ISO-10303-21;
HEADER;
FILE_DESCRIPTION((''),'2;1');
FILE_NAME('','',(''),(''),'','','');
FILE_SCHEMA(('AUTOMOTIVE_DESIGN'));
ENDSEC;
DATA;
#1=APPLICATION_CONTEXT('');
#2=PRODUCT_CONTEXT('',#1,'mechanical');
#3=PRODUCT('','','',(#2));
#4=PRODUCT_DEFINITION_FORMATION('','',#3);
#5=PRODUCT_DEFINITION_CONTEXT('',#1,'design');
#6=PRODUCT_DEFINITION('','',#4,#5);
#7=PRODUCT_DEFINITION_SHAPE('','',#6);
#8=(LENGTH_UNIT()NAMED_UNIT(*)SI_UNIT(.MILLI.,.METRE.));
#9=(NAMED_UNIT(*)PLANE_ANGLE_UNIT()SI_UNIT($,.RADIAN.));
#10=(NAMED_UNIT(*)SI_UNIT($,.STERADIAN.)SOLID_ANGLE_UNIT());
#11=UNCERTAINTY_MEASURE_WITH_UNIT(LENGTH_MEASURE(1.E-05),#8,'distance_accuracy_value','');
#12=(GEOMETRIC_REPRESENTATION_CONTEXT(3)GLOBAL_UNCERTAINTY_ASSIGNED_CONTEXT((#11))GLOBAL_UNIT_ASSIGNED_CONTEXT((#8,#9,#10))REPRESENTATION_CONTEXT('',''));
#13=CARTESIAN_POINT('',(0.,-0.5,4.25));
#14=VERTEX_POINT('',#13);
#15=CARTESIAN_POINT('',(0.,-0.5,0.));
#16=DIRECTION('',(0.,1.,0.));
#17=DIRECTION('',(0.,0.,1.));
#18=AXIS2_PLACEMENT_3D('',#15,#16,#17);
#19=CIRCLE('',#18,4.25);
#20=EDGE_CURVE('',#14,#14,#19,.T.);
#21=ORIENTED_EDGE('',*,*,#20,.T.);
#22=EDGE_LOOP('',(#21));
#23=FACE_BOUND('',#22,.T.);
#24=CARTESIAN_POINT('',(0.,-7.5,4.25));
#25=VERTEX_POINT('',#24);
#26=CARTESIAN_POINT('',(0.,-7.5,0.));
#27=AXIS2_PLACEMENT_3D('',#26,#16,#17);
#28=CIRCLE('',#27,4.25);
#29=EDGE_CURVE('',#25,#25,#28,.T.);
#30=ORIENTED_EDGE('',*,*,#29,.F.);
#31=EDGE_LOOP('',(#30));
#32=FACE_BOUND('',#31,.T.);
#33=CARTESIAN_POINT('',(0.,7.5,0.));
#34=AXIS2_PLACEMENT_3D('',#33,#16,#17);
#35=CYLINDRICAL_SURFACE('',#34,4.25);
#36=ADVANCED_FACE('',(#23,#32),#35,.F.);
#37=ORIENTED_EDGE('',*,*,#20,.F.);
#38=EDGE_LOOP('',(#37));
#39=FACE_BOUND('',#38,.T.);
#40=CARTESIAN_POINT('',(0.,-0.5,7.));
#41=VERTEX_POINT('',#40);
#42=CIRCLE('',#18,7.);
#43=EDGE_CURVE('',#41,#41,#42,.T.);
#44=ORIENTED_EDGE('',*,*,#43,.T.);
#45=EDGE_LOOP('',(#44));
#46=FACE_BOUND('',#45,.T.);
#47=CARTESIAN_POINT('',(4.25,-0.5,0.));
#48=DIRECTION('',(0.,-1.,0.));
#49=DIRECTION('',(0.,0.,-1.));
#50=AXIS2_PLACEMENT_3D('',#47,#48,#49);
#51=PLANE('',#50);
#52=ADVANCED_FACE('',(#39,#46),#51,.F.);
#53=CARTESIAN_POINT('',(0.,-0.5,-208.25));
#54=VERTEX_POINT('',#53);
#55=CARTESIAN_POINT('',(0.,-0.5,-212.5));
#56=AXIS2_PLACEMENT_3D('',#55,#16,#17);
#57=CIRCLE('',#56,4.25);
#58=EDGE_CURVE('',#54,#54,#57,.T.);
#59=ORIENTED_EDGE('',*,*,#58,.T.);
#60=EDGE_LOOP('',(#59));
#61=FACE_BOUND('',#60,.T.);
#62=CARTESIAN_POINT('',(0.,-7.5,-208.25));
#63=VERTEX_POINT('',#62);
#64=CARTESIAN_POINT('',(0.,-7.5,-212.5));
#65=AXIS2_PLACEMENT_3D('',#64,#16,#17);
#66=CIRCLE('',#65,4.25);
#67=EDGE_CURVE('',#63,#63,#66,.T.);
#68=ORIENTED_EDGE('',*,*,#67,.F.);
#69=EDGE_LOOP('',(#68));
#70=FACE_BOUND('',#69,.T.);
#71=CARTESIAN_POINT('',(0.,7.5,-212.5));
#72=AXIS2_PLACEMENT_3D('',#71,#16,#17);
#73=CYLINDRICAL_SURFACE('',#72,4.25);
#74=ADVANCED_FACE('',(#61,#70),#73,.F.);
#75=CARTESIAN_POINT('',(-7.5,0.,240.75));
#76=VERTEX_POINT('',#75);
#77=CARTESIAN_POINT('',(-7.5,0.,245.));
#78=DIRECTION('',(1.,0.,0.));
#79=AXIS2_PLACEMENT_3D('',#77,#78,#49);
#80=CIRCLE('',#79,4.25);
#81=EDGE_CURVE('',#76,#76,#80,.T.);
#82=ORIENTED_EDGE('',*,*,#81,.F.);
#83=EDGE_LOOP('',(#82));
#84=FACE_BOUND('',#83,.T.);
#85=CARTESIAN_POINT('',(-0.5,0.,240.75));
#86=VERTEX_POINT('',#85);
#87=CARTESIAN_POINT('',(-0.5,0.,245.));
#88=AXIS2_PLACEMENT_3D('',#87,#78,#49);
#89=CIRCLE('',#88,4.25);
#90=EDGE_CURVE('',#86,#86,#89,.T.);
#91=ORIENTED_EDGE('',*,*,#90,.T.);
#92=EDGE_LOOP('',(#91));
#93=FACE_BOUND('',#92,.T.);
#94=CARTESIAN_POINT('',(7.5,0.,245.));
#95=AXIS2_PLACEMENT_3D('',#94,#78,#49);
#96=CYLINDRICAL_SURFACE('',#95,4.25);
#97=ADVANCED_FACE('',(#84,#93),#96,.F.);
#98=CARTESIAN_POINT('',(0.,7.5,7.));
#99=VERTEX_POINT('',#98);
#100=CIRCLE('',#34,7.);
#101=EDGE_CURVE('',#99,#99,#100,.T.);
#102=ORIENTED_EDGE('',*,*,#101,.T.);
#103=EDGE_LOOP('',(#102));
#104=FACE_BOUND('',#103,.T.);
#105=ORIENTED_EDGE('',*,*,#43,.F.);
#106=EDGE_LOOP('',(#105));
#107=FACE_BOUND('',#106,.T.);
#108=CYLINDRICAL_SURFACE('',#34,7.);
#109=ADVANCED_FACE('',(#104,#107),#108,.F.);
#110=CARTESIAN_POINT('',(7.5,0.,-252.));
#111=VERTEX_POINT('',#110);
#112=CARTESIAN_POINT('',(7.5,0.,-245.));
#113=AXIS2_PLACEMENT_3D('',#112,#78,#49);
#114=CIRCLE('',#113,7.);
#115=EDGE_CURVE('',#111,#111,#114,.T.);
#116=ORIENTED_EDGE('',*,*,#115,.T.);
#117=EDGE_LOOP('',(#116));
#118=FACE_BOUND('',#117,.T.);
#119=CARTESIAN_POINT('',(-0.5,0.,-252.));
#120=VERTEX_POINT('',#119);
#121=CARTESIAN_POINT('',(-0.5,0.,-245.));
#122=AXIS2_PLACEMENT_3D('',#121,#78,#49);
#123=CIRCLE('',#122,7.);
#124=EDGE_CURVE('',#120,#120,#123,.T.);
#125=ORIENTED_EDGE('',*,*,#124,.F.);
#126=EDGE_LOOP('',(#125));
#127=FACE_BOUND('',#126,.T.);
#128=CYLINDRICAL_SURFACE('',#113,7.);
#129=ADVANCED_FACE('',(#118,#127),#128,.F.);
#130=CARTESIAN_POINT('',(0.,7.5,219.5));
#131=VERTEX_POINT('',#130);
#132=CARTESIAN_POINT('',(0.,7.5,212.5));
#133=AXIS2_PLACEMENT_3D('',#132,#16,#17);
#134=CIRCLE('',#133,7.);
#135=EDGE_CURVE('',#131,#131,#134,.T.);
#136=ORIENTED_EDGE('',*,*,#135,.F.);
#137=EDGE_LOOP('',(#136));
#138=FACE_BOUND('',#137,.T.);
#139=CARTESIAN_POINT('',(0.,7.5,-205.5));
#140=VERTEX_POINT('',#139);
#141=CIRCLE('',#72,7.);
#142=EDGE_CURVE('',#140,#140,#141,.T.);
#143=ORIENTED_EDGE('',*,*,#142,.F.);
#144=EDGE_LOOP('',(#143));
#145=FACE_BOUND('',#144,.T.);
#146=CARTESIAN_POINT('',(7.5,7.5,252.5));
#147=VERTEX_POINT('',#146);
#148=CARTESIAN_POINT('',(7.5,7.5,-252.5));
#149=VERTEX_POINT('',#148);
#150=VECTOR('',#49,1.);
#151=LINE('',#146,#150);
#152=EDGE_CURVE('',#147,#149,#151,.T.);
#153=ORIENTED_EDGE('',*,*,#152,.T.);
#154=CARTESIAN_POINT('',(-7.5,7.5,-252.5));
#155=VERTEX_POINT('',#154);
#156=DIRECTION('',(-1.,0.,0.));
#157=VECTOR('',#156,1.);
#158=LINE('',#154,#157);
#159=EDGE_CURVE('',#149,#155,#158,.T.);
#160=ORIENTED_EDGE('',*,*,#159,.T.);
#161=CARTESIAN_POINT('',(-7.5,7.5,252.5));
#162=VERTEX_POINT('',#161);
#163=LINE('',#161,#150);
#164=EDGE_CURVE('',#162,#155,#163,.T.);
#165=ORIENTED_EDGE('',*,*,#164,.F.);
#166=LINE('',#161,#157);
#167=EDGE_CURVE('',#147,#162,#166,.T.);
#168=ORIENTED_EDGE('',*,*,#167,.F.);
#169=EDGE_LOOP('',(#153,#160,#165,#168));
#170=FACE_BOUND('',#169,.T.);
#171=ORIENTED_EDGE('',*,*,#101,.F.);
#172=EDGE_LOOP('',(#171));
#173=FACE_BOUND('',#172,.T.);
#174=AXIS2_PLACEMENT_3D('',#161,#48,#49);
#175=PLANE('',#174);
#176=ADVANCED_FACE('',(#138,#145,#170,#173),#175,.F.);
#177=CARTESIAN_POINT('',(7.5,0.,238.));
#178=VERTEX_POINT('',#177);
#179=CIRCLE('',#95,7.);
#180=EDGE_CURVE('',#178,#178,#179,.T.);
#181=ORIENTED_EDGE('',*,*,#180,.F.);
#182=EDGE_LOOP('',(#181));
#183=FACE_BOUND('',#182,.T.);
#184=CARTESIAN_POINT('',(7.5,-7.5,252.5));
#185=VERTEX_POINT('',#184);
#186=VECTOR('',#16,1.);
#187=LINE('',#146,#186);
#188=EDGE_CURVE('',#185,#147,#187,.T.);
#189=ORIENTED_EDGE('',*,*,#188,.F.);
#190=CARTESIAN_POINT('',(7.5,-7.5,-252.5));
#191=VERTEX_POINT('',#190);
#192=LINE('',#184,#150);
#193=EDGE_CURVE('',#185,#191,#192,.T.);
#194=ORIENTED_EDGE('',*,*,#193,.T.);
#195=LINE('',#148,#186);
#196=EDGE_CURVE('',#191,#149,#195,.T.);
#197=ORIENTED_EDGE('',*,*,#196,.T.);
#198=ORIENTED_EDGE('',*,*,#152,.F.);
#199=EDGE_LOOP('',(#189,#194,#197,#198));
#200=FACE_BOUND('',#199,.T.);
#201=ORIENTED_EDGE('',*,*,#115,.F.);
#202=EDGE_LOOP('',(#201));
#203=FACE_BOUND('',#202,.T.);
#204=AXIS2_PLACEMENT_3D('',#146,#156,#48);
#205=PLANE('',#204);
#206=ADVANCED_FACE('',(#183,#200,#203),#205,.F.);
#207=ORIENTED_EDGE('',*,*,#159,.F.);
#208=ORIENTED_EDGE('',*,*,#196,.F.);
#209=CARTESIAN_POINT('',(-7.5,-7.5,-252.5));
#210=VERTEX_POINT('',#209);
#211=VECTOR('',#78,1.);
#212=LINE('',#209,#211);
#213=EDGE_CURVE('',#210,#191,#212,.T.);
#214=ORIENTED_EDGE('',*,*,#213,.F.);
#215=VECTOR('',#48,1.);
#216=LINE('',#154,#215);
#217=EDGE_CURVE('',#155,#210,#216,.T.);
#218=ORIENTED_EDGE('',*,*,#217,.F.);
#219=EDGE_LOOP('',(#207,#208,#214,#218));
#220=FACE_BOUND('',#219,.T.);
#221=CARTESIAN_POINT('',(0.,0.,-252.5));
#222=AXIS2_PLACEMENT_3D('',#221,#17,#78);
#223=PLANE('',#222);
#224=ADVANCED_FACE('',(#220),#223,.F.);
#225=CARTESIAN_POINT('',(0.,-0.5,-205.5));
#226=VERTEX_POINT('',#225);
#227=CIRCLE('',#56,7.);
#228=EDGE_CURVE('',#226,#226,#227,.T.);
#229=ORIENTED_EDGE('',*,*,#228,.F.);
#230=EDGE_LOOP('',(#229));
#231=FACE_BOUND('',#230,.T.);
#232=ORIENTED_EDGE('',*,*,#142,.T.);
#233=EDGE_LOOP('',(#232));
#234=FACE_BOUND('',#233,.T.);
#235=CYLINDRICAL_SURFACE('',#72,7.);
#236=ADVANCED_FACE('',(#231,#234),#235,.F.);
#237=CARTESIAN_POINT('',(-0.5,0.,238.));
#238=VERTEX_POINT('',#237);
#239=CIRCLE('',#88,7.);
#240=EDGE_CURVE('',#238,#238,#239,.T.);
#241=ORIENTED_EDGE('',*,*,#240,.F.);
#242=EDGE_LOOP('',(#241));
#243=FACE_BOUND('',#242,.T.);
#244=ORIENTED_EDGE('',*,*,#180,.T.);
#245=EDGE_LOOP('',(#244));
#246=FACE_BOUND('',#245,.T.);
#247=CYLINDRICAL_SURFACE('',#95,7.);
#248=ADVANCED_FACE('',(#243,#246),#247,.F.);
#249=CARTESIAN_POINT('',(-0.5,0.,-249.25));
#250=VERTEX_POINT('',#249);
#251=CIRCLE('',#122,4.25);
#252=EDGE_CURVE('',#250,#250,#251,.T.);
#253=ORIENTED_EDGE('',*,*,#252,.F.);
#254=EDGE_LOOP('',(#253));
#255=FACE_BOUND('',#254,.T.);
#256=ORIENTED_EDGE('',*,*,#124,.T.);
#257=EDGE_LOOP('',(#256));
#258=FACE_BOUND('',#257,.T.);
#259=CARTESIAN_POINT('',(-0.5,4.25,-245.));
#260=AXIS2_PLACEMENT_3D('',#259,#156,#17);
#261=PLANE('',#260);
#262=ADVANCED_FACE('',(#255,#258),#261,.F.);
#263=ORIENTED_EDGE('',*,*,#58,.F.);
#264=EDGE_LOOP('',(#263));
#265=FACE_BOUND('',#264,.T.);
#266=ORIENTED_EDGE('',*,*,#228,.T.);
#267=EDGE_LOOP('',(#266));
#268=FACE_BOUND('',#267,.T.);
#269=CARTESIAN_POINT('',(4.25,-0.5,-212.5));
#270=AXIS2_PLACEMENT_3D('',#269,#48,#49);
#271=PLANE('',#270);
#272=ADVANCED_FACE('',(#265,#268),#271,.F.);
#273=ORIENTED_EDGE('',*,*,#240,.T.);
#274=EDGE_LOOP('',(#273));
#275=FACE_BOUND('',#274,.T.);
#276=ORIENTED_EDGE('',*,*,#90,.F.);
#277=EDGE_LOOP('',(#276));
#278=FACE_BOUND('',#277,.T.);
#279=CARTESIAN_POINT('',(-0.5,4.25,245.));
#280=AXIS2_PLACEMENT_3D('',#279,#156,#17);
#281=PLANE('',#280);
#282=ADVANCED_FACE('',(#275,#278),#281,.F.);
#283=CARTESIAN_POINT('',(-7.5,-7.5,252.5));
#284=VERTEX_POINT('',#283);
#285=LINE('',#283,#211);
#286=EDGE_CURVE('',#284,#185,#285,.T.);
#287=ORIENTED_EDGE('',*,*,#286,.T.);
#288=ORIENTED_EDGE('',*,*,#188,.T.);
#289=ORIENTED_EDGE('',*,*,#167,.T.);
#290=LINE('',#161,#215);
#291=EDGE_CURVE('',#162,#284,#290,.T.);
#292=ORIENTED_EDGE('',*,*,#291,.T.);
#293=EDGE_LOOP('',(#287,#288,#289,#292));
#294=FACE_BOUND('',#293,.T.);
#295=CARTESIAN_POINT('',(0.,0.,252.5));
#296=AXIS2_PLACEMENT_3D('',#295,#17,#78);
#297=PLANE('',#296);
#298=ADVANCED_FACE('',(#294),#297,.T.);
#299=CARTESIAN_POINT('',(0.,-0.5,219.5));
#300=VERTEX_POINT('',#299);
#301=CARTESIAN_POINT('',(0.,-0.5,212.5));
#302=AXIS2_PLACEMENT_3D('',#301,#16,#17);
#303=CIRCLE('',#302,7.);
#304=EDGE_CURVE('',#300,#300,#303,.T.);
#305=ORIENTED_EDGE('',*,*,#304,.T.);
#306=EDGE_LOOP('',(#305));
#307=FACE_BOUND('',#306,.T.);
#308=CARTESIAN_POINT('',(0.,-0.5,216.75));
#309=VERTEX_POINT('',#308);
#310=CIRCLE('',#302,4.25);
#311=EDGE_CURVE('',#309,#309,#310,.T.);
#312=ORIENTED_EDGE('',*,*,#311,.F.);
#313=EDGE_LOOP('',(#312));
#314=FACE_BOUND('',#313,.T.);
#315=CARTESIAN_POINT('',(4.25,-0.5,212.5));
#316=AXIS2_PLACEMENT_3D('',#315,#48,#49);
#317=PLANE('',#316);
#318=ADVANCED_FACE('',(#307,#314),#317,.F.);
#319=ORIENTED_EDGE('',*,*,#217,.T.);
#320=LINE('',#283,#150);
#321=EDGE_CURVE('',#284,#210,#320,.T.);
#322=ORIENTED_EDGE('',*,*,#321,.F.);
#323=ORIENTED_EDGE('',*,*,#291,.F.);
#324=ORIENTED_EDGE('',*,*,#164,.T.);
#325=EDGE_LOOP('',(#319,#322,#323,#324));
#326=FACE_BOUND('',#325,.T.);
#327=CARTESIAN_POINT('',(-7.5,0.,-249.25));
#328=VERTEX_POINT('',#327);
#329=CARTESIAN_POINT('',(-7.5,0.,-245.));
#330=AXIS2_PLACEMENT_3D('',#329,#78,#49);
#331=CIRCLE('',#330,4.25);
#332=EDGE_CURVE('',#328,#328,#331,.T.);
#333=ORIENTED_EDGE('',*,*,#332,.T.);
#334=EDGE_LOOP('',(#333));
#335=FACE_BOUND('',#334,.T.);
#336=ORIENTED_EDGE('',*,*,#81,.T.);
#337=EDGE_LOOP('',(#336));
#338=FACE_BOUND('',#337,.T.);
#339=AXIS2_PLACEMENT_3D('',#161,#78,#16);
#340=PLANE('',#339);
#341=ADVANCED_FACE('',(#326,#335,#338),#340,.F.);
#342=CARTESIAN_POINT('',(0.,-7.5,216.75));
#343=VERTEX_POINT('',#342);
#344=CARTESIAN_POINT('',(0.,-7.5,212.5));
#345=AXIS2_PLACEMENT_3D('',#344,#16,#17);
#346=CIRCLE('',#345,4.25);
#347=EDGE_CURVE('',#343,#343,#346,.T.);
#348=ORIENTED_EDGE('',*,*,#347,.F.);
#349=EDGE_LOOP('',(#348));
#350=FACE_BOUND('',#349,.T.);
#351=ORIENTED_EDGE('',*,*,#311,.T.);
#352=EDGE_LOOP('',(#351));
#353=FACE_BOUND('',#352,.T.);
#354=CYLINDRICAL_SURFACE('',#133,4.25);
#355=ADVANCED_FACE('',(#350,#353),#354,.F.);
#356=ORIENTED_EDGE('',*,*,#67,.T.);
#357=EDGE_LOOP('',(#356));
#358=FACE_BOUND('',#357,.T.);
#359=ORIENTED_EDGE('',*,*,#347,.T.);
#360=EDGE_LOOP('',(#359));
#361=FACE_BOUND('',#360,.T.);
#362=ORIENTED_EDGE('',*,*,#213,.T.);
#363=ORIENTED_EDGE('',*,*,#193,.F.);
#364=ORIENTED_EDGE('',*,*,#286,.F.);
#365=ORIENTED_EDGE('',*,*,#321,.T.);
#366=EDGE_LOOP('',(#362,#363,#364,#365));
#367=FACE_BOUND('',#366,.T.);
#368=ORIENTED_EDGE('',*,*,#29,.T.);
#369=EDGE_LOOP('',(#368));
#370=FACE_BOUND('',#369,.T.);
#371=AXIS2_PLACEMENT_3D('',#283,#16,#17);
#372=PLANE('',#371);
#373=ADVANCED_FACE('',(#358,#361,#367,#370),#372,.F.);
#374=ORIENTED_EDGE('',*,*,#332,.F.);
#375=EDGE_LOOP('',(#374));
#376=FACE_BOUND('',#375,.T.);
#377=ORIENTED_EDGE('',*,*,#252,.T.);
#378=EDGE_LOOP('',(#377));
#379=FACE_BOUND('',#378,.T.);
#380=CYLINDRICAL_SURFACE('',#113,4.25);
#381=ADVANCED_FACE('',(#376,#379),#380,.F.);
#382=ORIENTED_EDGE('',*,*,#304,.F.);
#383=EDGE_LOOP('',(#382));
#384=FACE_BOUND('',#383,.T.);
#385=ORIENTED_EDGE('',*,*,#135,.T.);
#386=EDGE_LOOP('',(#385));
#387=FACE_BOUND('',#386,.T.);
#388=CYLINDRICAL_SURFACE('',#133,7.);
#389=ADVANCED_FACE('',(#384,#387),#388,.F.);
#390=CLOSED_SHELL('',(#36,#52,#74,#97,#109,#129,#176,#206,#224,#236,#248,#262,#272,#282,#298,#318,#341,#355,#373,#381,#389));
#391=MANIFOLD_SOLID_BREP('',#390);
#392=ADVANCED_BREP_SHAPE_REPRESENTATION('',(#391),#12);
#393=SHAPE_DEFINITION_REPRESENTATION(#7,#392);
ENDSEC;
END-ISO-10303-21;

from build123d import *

# Parameters (mm, degrees)
IZIM1_W                     = 15
IZIM1_H                     = 15
Y_KSEKLIK_EKSTR_ZYON1_DEPTH = 252.5
DELIK2_D                    = 8.5
DELIK2_DEPTH                = 15
DELIK2_CBORE_D              = 14
DELIK2_CBORE_DEPTH          = 8
DELIK3_D                    = 8.5
DELIK3_DEPTH                = 15
DELIK3_CBORE_D              = 14
DELIK3_CBORE_DEPTH          = 8
L_O_ALTMA1_COUNT            = 3
L_O_ALTMA1_PITCH            = 212.5


with BuildPart() as part:
    # Çizim1 → Yükseklik-Ekstrüzyon1 (new body, symmetric)
    with BuildSketch(Plane.XY):
        Rectangle(IZIM1_W, IZIM1_H)
    extrude(amount=Y_KSEKLIK_EKSTR_ZYON1_DEPTH, both=True)

    # Delik2
    with Locations(Plane(origin=(7.5, 0, 0), x_dir=(0, 0, -1), z_dir=(1, 0, 0))):
        with Locations((245, 0)):
            delik2 = CounterBoreHole(DELIK2_D / 2, DELIK2_CBORE_D / 2, DELIK2_CBORE_DEPTH, depth=DELIK2_DEPTH)

    # Aynalama1: Delik2 across plane
    add(delik2.mirror(Plane.XY), mode=Mode.SUBTRACT)

    # Delik3
    with Locations(Plane(origin=(0, 7.5, 0), x_dir=(1, 0, 0), z_dir=(0, 1, 0))):
        with Locations((0, -212.5)):
            delik3 = CounterBoreHole(DELIK3_D / 2, DELIK3_CBORE_D / 2, DELIK3_CBORE_DEPTH, depth=DELIK3_DEPTH)

    # LÇoğaltma1: Delik3 ×3
    with Locations(*[(0, 0, -i * L_O_ALTMA1_PITCH) for i in range(1, L_O_ALTMA1_COUNT)]):
        add(delik3, mode=Mode.SUBTRACT)


solid = part.part
